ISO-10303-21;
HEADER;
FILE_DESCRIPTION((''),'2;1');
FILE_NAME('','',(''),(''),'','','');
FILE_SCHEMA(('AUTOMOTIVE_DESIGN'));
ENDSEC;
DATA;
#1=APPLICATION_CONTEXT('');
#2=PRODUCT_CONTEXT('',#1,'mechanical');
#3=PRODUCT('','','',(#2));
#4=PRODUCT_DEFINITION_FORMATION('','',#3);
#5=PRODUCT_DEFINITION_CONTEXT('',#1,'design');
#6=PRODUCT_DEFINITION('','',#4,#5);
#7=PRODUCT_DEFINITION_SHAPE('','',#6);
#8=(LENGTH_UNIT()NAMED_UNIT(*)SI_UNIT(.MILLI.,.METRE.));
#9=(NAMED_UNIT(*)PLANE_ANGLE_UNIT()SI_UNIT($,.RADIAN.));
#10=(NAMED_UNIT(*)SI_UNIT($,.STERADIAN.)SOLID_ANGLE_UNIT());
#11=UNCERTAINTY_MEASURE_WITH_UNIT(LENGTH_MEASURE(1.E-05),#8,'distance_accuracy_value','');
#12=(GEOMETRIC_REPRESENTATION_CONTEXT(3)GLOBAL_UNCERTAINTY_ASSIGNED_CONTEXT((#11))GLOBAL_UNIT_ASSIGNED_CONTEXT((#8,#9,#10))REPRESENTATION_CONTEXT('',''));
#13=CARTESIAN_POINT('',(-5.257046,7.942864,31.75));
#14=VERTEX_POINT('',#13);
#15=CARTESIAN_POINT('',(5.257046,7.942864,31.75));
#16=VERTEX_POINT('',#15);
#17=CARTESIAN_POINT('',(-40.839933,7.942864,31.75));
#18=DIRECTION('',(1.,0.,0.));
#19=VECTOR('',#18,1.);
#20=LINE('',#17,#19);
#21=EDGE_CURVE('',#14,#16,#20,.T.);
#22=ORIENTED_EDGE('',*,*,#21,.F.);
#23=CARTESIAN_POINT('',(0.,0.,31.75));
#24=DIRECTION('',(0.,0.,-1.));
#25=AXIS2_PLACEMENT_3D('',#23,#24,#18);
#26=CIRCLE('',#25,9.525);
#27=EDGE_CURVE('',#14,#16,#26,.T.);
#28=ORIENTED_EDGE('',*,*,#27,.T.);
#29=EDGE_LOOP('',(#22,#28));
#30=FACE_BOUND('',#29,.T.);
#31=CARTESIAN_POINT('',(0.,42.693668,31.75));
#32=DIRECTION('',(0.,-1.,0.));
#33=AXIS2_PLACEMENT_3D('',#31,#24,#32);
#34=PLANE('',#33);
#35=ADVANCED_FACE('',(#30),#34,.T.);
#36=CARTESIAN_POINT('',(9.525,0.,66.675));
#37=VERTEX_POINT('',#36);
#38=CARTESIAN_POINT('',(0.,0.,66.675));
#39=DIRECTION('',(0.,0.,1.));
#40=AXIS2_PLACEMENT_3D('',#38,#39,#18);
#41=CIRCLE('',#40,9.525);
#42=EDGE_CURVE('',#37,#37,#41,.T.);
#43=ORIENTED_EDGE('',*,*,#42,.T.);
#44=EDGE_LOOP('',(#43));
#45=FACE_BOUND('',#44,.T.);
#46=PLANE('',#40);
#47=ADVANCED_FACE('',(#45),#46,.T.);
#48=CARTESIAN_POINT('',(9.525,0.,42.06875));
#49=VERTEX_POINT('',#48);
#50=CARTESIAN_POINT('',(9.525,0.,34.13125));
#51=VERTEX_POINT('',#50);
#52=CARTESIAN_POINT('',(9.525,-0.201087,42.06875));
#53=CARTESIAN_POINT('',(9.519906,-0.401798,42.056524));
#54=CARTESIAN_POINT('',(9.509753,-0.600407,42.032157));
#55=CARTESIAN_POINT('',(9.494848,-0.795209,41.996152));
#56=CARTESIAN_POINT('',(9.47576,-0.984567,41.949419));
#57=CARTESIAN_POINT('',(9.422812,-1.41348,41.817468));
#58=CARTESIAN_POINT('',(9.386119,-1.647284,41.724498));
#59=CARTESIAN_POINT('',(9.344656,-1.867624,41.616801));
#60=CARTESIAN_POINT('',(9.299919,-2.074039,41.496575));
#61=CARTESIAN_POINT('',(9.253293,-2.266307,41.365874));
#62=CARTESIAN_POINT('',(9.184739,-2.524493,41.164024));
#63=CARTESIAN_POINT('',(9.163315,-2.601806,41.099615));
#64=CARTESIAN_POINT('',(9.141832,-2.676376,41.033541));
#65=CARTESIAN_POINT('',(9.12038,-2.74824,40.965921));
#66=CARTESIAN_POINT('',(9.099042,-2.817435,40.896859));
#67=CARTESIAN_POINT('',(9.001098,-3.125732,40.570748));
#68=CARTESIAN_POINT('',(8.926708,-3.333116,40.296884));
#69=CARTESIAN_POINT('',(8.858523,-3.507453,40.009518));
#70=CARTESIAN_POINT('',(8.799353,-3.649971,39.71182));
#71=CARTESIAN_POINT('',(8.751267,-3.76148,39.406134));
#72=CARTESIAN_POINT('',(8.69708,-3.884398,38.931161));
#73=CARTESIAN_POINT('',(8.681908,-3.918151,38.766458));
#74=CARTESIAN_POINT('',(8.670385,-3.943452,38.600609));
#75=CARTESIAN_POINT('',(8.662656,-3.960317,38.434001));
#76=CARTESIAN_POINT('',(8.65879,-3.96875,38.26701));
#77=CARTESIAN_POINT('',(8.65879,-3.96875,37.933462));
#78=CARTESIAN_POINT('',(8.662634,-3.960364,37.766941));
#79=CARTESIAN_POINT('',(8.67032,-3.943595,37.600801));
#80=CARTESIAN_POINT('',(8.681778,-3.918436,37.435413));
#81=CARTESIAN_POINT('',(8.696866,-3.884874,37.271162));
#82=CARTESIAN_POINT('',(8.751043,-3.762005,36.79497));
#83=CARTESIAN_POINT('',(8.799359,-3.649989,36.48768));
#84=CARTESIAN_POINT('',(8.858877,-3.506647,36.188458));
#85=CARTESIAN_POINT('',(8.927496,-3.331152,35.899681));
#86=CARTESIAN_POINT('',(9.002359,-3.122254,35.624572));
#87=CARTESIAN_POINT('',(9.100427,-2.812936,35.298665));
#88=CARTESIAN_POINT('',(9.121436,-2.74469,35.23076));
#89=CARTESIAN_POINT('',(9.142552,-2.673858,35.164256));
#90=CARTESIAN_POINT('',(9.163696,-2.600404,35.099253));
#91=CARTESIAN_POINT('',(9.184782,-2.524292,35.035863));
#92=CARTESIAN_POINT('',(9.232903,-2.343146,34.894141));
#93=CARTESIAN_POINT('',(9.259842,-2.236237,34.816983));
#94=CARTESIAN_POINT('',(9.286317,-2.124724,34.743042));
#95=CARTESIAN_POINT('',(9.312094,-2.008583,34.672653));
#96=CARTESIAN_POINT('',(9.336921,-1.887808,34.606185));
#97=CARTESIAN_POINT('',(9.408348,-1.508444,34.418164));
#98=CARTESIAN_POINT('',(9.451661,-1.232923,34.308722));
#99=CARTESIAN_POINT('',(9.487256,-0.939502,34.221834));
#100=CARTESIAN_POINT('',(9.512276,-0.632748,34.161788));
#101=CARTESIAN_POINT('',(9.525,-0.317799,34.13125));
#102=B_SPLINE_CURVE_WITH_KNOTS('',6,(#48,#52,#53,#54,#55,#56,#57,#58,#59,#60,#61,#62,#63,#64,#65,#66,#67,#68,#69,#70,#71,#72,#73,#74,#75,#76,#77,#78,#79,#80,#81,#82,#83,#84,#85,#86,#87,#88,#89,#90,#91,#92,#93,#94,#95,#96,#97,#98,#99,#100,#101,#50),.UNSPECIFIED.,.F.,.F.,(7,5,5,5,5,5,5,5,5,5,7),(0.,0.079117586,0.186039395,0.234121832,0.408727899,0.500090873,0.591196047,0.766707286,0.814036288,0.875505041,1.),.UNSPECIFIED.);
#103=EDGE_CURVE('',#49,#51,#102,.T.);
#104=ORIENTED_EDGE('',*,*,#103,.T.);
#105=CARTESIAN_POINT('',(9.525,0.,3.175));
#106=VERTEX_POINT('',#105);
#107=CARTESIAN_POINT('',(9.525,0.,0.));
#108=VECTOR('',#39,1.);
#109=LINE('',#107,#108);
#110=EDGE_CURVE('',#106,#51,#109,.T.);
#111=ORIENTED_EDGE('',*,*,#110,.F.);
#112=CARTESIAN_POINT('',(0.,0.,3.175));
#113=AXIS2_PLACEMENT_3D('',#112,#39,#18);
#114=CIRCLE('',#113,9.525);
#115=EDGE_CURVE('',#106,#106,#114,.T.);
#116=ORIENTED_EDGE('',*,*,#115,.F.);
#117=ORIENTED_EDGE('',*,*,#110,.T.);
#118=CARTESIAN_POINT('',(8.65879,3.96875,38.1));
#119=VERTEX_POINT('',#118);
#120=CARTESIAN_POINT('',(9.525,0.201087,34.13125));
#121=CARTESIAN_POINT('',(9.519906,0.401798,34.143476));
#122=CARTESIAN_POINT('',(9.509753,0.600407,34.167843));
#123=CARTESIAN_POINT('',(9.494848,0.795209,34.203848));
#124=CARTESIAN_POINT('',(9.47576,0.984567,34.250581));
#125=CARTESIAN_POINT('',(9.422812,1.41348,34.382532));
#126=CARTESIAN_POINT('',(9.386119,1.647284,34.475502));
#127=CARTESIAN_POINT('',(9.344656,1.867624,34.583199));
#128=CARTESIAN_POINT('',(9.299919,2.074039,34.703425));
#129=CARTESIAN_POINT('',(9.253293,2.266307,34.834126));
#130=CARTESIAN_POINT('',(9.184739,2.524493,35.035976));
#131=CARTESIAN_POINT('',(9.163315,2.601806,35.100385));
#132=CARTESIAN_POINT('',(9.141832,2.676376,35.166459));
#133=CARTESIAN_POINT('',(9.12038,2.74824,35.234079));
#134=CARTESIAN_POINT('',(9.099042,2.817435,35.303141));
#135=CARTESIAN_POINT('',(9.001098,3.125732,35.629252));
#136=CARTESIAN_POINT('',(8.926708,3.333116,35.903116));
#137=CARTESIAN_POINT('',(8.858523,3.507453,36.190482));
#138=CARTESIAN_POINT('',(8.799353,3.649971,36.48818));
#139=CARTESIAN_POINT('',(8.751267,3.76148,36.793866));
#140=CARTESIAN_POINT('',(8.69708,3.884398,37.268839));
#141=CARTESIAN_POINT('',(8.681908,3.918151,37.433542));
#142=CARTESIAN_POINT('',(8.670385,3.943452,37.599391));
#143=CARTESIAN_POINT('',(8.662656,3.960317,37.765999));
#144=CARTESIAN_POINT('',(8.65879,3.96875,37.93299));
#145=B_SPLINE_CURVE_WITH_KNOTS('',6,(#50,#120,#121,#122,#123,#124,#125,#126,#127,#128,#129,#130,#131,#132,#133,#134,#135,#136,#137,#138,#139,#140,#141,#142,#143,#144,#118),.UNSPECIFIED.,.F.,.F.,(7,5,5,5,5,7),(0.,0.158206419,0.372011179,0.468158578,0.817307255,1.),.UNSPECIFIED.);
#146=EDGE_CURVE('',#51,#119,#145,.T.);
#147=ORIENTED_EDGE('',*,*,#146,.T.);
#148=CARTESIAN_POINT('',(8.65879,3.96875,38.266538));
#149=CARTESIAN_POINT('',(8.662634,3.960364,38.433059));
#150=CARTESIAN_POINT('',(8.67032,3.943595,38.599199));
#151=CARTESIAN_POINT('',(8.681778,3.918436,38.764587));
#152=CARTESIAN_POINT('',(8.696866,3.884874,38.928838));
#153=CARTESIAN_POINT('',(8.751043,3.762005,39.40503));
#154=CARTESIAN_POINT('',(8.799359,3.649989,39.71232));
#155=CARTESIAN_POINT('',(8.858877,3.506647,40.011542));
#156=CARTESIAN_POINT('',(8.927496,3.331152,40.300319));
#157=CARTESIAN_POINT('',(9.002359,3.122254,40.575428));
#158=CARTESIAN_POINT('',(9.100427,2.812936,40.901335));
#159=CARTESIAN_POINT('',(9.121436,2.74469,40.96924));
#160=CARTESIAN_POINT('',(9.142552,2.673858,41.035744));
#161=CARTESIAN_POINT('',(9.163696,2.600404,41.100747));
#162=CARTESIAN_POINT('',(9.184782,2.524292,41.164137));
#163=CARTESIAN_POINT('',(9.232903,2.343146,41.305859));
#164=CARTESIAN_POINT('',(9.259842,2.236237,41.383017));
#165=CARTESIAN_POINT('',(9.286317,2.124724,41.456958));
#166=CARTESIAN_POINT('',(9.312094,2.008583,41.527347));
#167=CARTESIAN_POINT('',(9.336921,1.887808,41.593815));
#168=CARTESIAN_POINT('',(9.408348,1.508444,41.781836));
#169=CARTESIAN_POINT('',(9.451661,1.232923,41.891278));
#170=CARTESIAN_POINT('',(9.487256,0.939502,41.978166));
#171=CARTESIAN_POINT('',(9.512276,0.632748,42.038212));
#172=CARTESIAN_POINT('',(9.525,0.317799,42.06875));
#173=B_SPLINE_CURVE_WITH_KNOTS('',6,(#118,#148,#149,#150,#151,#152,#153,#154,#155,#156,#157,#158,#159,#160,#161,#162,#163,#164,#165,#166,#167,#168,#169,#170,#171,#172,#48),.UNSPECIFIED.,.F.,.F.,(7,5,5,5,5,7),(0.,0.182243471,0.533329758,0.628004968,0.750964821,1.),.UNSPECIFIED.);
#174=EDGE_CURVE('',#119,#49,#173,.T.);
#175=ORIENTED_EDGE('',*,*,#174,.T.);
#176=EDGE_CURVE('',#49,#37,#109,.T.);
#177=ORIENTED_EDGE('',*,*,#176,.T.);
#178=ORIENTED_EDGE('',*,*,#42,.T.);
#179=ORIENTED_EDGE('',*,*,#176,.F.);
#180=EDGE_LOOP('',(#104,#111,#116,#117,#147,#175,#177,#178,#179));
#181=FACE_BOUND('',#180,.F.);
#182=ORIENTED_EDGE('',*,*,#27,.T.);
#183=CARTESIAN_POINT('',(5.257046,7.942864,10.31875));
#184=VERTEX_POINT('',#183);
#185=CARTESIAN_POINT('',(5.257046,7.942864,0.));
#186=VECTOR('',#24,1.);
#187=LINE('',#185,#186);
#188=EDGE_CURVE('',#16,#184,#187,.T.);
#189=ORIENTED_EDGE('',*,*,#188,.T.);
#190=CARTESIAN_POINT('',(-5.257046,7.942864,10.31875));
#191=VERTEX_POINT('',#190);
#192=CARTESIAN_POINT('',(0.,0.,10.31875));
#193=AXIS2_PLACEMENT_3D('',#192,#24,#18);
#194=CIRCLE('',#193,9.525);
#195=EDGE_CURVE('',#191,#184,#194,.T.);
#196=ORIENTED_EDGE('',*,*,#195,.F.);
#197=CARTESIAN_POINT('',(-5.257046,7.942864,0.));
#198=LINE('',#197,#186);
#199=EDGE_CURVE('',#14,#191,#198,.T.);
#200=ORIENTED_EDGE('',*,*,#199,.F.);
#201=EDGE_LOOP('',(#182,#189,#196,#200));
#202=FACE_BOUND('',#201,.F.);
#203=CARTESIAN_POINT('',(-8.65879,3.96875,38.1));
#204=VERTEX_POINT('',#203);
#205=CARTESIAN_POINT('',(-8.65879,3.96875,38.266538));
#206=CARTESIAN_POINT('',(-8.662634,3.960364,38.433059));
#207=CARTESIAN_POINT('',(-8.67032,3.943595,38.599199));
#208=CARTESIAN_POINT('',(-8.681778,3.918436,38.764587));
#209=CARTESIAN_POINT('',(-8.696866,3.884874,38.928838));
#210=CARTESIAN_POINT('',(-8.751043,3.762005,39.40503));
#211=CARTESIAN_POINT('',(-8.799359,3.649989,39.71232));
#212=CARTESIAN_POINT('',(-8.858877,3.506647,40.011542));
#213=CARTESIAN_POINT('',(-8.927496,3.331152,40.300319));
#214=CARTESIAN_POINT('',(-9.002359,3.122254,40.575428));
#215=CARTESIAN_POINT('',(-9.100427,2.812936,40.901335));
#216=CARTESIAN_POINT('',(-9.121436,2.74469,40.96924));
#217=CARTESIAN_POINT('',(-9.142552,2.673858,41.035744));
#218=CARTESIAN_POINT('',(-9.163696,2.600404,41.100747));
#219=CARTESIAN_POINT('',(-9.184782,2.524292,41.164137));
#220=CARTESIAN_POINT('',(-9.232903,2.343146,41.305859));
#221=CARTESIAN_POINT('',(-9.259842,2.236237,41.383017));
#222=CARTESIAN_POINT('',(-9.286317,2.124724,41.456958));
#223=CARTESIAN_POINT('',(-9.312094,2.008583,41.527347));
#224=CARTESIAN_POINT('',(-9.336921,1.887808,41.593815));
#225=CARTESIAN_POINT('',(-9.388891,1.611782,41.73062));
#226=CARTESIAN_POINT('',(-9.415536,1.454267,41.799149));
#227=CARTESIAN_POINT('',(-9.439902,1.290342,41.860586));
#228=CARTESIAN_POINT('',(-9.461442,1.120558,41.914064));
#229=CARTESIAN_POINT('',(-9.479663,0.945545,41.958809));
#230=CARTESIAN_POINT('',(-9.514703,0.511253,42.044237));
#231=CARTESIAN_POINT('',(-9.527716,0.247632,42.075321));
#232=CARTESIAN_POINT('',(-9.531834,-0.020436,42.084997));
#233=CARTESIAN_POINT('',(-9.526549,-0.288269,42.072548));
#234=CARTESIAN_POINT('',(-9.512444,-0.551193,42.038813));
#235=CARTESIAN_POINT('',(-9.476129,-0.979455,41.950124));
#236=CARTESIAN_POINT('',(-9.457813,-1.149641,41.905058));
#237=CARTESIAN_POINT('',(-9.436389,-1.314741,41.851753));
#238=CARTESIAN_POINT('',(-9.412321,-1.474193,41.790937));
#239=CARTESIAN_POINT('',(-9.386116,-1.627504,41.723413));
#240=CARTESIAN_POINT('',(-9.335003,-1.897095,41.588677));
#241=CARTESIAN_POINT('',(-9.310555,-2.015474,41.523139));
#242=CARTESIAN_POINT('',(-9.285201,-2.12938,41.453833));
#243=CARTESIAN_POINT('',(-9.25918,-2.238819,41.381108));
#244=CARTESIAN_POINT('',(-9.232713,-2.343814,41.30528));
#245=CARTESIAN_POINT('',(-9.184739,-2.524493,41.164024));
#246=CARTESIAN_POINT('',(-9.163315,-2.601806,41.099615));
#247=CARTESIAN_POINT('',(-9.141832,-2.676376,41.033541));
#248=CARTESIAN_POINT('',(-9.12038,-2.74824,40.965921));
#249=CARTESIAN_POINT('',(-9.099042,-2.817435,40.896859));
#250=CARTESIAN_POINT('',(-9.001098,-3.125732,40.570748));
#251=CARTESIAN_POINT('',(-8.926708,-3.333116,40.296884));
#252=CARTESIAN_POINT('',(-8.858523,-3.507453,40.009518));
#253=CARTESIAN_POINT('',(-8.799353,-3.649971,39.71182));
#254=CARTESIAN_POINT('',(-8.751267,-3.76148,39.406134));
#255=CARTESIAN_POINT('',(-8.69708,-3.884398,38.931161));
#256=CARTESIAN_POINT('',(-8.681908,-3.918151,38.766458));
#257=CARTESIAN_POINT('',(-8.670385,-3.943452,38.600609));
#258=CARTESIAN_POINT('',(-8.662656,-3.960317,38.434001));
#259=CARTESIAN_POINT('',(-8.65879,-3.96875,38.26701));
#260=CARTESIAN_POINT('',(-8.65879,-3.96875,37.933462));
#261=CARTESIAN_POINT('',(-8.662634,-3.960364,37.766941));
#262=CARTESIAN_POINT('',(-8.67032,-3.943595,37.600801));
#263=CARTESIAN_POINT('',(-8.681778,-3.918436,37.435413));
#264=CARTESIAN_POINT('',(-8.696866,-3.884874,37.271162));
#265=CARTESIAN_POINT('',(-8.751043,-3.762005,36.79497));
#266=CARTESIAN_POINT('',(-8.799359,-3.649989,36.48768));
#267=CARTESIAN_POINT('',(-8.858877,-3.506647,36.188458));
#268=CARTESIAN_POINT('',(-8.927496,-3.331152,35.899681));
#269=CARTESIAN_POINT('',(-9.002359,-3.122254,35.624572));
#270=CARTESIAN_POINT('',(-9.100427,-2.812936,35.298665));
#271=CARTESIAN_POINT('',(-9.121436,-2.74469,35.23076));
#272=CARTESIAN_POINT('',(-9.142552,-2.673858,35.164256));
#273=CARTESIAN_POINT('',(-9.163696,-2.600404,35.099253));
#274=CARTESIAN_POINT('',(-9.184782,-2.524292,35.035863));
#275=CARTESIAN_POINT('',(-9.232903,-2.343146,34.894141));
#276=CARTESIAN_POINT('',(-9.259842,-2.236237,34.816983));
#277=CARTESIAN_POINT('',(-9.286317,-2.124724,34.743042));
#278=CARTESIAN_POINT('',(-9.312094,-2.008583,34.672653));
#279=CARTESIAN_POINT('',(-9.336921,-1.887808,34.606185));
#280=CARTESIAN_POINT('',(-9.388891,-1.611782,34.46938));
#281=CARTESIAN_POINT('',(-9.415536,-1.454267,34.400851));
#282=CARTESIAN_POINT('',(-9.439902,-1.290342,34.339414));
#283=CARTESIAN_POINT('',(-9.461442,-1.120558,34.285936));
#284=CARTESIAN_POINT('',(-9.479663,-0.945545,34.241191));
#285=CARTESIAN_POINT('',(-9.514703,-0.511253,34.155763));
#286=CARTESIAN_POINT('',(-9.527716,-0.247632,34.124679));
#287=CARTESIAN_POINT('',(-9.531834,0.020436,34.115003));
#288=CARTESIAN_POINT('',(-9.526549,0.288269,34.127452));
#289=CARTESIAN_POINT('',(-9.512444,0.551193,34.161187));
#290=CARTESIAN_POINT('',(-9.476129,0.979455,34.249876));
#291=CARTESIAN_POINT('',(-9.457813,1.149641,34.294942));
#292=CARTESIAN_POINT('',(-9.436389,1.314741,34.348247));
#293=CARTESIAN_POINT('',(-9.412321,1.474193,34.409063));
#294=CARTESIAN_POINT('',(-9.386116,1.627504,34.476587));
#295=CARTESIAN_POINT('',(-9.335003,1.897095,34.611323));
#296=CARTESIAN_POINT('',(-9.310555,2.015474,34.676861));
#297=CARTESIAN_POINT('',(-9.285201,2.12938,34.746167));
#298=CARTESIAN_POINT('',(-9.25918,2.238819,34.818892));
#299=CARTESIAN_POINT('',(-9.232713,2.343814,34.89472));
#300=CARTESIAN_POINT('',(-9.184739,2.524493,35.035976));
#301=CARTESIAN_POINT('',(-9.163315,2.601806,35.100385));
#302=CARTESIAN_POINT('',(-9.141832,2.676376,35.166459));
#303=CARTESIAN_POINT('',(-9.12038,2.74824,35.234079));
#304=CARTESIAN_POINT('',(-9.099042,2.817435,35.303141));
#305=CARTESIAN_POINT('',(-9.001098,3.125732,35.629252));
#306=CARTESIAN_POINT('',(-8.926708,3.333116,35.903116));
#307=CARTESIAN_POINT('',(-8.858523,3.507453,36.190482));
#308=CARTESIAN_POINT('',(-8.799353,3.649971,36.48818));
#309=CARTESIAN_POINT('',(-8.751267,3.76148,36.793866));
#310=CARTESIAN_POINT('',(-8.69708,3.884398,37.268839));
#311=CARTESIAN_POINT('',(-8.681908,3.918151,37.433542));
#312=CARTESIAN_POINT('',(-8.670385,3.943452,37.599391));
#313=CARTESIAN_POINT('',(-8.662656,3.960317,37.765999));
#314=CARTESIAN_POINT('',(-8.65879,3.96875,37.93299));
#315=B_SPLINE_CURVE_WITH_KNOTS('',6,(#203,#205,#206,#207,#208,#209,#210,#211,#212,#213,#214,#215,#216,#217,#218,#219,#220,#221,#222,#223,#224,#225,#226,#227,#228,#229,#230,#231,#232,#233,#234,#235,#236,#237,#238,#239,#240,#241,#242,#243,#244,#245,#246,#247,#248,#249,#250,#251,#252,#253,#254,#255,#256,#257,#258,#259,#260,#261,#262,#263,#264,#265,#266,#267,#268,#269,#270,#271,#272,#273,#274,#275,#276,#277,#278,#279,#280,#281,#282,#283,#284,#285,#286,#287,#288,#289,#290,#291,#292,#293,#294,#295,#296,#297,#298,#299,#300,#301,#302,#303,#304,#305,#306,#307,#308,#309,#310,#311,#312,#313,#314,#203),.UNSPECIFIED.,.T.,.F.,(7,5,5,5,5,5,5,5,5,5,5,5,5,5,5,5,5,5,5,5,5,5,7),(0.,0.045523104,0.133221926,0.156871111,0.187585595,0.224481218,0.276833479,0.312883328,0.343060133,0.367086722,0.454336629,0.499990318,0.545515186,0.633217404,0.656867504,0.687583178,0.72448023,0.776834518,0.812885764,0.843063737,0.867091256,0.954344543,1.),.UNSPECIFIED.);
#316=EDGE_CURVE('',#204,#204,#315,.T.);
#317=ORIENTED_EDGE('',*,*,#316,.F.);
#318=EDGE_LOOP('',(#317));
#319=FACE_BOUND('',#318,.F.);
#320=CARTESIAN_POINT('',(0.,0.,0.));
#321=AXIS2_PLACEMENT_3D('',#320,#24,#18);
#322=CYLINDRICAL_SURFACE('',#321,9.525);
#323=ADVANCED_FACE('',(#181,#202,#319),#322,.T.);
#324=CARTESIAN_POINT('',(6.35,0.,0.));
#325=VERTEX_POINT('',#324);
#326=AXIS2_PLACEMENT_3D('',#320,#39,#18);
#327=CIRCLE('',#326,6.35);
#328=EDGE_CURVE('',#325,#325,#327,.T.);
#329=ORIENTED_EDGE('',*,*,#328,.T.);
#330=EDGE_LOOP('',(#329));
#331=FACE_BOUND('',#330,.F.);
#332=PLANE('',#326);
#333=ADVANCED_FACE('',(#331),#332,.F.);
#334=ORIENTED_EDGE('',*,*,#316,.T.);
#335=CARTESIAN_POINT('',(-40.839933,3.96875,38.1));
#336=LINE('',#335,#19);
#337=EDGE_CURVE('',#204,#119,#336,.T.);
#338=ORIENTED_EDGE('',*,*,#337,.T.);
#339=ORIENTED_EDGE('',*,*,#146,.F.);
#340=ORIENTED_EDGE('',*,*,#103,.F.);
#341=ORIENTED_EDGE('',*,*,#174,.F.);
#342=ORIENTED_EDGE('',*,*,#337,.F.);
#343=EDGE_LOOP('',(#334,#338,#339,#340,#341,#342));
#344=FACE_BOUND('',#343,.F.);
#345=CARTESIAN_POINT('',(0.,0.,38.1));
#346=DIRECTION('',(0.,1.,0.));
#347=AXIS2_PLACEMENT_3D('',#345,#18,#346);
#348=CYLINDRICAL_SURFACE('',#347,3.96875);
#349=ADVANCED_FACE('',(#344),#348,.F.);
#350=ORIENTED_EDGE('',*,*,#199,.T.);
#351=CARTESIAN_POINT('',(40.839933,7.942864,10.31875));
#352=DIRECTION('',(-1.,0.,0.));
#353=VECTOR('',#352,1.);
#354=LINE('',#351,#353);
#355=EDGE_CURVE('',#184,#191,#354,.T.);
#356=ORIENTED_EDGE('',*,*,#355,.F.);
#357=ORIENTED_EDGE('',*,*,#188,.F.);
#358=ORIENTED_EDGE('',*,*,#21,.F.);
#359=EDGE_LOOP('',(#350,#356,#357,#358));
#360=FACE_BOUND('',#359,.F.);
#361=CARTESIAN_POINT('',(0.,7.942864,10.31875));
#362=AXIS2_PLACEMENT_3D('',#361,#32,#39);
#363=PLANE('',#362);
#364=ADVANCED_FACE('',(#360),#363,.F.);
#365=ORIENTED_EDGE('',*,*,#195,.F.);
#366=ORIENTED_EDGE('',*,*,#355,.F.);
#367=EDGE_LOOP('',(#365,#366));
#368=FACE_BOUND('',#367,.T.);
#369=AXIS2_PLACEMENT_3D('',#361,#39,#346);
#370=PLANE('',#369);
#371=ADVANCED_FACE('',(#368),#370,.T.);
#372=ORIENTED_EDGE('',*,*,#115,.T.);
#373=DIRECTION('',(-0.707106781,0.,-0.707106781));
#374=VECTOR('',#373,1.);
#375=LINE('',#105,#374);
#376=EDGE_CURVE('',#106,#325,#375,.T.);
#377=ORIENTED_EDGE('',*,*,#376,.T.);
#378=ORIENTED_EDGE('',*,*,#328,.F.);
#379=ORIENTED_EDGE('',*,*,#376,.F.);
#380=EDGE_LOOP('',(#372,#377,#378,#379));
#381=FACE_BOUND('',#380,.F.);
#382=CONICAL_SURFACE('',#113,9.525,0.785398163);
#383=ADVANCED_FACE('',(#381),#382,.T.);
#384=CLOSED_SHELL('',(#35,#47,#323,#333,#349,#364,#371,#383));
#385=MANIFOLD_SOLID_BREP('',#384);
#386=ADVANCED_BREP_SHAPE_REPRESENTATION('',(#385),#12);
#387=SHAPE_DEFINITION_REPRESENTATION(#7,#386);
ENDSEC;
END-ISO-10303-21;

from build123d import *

# Parameters (mm, degrees)
F0_R     = 9.525
F1_DEPTH = 66.675
F2_SIZE  = 3.175
F3_W     = 33.163304
F3_H     = 21.43125
F3_W_2   = 1.5875
F3_R     = 3.96875
F4_DEPTH = 40.839933


with BuildPart() as f1:
    # F0 (on Top) → F1 (new body)
    with BuildSketch(Plane.XY):
        Circle(F0_R)
    extrude(amount=F1_DEPTH)

    # F2
    f2_edges = [f1.edges().sort_by_distance(p)[0] for p in [
        (-9.525, 0, 0),
    ]]
    chamfer(f2_edges, length=F2_SIZE)

    # F3 (on Right) → F4 (cut, symmetric)
    with BuildSketch(Plane.YZ):
        with Locations((26.112016, 21.034375)):
            Rectangle(F3_W, F3_H)
        with Locations((8.736614, 21.034375)):
            Rectangle(F3_W_2, F3_H)
        with Locations((0, 38.1)):
            Circle(F3_R)
    extrude(amount=F4_DEPTH, both=True, mode=Mode.SUBTRACT)


solid = f1.part
